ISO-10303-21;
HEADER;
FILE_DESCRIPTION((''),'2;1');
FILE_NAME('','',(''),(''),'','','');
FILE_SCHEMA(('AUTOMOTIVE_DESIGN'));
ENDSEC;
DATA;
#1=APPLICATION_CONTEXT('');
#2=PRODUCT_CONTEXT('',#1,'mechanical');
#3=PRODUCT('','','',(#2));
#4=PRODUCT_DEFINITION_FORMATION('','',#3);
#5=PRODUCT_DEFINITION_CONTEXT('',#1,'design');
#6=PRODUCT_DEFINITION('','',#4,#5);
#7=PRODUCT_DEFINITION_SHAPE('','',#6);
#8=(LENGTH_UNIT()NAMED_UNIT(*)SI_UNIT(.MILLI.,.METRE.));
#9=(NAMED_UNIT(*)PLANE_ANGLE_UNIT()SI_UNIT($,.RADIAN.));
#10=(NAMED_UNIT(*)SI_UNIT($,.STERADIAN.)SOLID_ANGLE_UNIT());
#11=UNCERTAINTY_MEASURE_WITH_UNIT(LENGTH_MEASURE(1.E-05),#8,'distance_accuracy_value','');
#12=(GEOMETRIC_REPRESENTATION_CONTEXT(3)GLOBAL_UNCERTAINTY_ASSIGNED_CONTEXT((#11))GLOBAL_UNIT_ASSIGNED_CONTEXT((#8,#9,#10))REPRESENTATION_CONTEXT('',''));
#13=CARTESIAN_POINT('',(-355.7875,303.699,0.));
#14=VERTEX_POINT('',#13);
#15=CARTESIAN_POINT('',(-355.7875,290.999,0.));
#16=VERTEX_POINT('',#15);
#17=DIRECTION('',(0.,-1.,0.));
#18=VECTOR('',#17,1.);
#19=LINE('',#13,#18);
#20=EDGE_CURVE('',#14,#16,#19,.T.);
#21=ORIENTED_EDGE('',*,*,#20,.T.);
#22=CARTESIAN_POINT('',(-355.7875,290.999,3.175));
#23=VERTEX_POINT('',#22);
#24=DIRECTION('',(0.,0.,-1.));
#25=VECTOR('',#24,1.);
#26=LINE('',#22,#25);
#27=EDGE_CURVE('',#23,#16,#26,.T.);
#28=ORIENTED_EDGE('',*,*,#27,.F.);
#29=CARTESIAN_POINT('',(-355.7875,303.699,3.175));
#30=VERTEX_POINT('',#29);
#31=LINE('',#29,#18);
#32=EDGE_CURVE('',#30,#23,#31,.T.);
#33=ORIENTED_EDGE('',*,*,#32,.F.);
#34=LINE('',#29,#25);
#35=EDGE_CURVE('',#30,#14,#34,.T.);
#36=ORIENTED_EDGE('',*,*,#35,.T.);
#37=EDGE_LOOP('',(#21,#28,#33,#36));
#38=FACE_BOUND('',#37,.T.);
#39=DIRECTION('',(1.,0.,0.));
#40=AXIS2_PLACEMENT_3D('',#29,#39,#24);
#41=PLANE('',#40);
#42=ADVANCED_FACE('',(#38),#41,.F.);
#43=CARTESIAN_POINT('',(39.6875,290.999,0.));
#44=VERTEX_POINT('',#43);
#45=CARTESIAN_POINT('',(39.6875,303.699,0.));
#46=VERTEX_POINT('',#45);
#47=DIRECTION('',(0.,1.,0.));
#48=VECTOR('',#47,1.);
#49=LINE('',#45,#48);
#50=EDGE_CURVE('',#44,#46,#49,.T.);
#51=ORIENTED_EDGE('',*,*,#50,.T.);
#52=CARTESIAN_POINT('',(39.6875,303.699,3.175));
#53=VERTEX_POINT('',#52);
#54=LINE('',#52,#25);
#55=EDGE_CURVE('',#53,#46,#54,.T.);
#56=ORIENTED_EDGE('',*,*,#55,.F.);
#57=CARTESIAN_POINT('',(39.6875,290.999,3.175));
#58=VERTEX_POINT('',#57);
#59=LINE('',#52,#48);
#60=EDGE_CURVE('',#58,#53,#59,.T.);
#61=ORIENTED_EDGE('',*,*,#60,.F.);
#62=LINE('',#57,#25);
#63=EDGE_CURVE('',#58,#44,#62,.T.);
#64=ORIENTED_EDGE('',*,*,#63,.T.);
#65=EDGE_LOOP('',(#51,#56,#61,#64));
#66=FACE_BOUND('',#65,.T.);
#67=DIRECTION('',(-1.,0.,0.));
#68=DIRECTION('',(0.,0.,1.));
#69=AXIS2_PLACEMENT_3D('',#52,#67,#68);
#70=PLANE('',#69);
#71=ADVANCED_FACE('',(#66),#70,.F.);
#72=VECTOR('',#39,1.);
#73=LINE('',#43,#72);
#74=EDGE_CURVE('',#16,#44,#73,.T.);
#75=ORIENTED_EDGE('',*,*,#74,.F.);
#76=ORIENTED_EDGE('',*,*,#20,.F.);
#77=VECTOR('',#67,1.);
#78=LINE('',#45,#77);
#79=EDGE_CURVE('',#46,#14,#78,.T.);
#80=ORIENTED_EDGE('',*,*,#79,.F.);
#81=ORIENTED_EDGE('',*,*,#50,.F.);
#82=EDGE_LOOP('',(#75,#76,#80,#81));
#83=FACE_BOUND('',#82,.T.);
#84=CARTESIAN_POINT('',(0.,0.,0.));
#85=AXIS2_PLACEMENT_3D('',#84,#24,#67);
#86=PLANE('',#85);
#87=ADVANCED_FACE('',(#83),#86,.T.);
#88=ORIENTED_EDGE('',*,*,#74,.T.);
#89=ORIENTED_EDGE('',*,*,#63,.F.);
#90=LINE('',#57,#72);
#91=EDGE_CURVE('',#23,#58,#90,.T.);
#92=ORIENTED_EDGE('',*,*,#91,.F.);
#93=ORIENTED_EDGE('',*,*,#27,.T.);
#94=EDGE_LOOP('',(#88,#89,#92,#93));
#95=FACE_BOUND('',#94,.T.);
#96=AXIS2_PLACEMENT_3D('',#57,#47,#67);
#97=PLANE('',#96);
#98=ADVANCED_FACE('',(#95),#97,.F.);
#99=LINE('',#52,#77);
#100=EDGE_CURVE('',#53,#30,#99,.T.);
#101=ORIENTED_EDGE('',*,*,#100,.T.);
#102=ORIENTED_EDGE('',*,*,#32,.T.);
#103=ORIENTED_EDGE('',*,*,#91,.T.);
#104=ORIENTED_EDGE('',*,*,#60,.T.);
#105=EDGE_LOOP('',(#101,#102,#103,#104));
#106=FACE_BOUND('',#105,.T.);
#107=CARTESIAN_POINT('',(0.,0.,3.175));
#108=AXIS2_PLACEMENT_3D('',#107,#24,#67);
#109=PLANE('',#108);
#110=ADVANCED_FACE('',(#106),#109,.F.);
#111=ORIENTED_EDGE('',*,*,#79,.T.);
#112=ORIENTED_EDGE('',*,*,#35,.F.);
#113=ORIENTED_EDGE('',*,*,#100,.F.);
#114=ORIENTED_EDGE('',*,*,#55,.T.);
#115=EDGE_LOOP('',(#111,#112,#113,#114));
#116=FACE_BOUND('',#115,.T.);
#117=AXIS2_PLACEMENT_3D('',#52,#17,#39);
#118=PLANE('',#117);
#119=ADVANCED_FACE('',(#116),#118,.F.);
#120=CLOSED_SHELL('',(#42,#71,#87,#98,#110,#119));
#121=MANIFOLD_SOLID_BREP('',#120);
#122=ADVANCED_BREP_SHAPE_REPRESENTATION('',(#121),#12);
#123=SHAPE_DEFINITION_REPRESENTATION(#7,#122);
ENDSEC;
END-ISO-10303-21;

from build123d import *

# Parameters (mm, degrees)
SKETCH1_W           = 395.475
SKETCH1_H           = 12.7
BOSS_EXTRUDE1_DEPTH = 3.175


with BuildPart() as part:
    # Sketch1 → Boss-Extrude1 (new body)
    with BuildSketch(Plane.XY):
        with Locations((-158.05, 297.349000032)):
            Rectangle(SKETCH1_W, SKETCH1_H)
    extrude(amount=BOSS_EXTRUDE1_DEPTH)


solid = part.part
